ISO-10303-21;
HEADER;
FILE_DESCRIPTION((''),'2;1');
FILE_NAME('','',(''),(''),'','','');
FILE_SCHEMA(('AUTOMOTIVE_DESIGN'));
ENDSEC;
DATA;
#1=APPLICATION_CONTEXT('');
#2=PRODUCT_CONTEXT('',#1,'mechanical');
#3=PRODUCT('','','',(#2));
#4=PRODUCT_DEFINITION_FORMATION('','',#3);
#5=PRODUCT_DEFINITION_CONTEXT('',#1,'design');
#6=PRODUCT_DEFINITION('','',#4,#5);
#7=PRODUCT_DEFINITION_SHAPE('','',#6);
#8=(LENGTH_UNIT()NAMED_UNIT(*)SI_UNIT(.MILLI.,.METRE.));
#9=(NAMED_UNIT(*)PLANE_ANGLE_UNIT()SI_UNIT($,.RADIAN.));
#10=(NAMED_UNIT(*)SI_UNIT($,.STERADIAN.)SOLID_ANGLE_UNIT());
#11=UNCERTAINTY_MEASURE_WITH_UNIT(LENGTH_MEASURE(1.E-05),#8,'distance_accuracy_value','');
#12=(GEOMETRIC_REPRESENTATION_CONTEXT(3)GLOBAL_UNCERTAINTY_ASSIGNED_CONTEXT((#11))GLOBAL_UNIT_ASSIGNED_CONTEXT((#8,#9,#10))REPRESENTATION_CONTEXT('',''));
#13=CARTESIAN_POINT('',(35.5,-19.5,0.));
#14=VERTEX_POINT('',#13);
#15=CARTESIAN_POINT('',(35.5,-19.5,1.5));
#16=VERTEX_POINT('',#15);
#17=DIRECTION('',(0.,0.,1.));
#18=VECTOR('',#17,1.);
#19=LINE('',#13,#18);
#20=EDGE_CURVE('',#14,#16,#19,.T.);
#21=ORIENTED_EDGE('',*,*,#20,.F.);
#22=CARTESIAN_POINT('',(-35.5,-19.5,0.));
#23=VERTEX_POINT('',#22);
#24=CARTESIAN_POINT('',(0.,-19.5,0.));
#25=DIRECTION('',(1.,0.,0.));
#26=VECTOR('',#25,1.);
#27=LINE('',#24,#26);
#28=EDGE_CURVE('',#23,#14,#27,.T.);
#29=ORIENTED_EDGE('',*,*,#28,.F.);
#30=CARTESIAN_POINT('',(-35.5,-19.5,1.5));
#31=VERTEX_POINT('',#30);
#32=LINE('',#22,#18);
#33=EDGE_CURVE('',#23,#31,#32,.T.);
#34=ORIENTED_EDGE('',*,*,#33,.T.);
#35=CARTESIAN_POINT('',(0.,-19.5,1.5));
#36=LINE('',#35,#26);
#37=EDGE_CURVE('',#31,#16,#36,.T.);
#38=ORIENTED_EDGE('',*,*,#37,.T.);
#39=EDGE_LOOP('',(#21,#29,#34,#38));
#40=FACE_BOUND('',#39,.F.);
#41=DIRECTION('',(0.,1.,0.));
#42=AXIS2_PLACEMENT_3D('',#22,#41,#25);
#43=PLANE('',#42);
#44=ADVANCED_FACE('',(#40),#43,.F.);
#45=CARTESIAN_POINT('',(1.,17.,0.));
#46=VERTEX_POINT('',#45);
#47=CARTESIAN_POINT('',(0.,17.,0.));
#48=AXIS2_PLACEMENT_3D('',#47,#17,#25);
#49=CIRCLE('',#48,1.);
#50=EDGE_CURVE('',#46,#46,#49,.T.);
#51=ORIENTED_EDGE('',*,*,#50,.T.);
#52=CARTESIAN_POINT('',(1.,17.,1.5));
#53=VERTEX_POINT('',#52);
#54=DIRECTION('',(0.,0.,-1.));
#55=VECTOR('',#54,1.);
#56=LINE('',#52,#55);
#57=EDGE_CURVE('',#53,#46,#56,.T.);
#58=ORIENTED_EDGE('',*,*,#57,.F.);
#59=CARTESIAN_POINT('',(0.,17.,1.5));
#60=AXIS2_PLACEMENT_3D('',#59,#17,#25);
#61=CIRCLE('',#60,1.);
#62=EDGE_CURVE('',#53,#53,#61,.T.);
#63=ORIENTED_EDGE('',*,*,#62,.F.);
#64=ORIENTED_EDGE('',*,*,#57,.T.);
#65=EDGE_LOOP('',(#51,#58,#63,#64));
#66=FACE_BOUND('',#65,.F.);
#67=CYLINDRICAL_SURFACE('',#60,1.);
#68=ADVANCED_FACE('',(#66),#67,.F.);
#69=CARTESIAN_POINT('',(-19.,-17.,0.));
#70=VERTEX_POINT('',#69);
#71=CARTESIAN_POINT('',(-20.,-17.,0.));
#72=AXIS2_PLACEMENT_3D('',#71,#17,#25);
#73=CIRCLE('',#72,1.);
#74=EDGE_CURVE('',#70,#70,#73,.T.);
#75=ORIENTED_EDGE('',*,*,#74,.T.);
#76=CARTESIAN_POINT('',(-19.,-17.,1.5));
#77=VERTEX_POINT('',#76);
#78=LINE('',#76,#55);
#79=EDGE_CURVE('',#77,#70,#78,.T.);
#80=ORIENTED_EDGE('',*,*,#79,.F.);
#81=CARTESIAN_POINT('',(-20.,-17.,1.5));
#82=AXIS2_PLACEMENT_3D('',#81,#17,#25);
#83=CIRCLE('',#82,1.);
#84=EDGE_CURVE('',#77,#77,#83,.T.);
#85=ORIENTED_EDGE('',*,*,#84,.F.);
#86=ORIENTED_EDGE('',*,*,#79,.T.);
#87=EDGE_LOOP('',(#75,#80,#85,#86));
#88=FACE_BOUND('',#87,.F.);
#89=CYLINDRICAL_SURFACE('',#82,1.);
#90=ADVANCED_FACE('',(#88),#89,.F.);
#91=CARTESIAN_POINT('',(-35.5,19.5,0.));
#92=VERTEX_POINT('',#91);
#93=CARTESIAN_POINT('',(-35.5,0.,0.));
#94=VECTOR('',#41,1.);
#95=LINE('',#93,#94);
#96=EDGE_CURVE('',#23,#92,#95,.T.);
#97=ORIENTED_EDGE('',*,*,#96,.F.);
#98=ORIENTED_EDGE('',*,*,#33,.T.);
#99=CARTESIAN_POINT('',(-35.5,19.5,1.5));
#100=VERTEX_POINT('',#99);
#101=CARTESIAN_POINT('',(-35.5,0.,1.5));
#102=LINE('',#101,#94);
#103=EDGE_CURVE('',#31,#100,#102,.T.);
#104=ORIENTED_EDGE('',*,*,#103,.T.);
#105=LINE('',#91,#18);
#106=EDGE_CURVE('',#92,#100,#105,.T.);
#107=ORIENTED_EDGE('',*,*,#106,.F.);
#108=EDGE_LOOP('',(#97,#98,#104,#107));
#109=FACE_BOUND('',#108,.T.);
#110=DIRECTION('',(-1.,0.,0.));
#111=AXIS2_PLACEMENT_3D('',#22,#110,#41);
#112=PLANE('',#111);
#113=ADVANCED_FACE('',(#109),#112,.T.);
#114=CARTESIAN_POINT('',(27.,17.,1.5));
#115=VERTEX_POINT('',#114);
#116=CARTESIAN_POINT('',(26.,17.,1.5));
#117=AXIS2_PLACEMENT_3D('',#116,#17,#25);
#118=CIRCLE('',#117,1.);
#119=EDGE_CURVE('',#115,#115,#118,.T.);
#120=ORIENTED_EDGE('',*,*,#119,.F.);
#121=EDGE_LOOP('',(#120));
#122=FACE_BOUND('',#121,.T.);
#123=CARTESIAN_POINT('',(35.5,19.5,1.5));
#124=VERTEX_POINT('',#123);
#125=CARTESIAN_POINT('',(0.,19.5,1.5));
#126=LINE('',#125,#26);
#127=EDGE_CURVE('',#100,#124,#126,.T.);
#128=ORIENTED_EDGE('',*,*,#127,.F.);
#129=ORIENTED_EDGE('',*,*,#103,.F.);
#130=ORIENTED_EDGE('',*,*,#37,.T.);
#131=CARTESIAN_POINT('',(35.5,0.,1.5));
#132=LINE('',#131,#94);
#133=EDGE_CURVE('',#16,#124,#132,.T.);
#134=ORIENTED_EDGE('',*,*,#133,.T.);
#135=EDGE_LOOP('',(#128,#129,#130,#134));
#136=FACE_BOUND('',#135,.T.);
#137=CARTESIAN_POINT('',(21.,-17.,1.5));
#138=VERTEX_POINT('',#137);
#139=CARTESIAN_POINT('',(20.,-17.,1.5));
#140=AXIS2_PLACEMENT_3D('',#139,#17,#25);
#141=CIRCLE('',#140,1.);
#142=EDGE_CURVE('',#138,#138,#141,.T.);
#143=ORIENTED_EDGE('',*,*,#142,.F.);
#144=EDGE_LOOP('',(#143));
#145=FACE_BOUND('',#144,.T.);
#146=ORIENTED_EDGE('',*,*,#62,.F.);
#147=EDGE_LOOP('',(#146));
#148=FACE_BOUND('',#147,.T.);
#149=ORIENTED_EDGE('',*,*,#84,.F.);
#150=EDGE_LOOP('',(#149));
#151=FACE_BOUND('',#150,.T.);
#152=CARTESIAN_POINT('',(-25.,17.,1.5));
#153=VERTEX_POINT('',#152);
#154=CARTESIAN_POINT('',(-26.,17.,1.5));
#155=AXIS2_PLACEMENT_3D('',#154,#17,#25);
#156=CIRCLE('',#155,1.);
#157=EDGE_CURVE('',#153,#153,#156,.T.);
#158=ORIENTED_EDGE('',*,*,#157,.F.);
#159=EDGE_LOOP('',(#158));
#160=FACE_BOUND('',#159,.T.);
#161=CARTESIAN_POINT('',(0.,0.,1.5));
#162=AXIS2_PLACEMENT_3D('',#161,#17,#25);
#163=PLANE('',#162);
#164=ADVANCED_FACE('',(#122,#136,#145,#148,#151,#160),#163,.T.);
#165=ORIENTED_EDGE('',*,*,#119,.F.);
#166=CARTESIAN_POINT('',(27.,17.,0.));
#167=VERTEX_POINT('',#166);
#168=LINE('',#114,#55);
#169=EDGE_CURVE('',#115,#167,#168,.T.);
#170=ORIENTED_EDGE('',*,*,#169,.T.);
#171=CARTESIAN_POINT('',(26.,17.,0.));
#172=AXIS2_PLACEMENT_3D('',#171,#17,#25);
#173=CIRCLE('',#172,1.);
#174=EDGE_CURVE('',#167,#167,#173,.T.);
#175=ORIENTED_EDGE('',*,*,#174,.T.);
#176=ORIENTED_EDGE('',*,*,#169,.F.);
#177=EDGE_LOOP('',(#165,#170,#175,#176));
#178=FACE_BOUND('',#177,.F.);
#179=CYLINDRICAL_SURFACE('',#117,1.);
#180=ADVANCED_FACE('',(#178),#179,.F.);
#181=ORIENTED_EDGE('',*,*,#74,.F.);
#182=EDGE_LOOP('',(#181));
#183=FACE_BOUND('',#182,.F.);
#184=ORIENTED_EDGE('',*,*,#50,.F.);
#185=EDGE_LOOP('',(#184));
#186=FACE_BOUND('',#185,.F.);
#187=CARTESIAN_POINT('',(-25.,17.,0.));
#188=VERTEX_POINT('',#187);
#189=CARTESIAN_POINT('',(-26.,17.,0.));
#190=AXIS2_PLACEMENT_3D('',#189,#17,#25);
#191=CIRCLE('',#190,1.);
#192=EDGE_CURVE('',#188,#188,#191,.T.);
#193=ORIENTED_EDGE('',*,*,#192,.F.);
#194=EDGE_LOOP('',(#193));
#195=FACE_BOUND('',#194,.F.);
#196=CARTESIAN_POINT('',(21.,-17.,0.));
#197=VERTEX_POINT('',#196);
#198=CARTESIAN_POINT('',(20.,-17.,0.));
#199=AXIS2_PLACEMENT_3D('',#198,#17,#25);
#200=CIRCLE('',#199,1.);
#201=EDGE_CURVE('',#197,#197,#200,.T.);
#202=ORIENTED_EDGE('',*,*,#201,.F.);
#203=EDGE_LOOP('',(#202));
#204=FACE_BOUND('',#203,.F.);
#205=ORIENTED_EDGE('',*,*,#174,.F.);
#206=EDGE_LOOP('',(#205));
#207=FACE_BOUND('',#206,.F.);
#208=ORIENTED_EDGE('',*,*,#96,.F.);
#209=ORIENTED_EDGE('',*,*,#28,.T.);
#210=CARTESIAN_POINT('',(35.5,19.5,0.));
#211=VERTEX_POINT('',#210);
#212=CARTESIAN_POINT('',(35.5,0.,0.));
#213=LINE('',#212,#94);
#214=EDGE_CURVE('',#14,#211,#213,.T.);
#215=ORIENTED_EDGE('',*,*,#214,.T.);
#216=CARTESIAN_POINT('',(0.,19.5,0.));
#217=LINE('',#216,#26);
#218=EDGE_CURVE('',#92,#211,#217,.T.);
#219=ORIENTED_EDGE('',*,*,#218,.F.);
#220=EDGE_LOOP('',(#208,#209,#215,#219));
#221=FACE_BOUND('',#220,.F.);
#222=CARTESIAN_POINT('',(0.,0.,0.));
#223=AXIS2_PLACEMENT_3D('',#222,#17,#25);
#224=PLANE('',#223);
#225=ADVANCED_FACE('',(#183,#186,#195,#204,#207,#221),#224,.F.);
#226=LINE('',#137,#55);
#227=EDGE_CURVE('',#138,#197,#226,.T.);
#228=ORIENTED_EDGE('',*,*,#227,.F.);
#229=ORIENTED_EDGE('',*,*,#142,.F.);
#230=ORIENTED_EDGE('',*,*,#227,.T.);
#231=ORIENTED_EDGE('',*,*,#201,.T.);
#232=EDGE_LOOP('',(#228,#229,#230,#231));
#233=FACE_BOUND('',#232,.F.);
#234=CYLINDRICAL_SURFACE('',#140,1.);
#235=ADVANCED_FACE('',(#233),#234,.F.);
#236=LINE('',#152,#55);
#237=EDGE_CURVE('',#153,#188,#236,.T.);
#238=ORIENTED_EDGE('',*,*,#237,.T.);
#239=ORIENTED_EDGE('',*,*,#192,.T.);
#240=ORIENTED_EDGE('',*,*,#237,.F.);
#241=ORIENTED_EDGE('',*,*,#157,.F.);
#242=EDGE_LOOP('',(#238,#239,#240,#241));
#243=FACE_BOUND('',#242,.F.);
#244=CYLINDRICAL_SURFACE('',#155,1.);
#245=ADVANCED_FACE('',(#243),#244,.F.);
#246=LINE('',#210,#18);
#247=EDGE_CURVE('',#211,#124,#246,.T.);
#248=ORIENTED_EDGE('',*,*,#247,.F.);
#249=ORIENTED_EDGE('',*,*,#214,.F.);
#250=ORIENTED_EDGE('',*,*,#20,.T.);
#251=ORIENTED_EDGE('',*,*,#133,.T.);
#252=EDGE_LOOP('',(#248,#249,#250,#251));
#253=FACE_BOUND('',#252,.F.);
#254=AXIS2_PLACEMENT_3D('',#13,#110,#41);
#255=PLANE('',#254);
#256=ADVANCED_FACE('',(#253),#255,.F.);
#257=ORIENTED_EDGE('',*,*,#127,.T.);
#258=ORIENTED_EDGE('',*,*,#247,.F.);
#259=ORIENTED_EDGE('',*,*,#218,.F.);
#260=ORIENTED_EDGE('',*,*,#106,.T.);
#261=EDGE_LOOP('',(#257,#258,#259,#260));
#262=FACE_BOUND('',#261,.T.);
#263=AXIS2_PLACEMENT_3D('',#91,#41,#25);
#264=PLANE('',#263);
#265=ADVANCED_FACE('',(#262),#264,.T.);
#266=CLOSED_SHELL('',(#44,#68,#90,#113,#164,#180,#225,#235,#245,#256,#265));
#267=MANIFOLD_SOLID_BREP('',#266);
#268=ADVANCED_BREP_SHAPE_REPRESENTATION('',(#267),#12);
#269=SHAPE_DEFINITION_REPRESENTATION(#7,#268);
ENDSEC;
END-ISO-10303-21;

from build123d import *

# Parameters (mm, degrees)
SKETCH_1_W          = 71
SKETCH_1_H          = 39
EXTRUDE_1_DEPTH     = 1.5
SKETCH_2_R          = 1
CUT_EXTRUDE_1_DEPTH = 2.5


with BuildPart() as part:
    # Эскиз1 → Бобышка-Вытянуть1 (new body)
    with BuildSketch(Plane.XY):
        Rectangle(SKETCH_1_W, SKETCH_1_H)
    extrude(amount=EXTRUDE_1_DEPTH)

    # Эскиз2 → Вырез-Вытянуть1 (cut, through all)
    with BuildSketch(Plane.XY.offset(1.5)):
        with Locations((26, 17)):
            Circle(SKETCH_2_R)
        with Locations((-26, 17)):
            Circle(SKETCH_2_R)
        with Locations((0, 17)):
            Circle(SKETCH_2_R)
        with Locations((20, -17)):
            Circle(SKETCH_2_R)
        with Locations((-20, -17)):
            Circle(SKETCH_2_R)
    extrude(amount=-CUT_EXTRUDE_1_DEPTH, mode=Mode.SUBTRACT)


solid = part.part
